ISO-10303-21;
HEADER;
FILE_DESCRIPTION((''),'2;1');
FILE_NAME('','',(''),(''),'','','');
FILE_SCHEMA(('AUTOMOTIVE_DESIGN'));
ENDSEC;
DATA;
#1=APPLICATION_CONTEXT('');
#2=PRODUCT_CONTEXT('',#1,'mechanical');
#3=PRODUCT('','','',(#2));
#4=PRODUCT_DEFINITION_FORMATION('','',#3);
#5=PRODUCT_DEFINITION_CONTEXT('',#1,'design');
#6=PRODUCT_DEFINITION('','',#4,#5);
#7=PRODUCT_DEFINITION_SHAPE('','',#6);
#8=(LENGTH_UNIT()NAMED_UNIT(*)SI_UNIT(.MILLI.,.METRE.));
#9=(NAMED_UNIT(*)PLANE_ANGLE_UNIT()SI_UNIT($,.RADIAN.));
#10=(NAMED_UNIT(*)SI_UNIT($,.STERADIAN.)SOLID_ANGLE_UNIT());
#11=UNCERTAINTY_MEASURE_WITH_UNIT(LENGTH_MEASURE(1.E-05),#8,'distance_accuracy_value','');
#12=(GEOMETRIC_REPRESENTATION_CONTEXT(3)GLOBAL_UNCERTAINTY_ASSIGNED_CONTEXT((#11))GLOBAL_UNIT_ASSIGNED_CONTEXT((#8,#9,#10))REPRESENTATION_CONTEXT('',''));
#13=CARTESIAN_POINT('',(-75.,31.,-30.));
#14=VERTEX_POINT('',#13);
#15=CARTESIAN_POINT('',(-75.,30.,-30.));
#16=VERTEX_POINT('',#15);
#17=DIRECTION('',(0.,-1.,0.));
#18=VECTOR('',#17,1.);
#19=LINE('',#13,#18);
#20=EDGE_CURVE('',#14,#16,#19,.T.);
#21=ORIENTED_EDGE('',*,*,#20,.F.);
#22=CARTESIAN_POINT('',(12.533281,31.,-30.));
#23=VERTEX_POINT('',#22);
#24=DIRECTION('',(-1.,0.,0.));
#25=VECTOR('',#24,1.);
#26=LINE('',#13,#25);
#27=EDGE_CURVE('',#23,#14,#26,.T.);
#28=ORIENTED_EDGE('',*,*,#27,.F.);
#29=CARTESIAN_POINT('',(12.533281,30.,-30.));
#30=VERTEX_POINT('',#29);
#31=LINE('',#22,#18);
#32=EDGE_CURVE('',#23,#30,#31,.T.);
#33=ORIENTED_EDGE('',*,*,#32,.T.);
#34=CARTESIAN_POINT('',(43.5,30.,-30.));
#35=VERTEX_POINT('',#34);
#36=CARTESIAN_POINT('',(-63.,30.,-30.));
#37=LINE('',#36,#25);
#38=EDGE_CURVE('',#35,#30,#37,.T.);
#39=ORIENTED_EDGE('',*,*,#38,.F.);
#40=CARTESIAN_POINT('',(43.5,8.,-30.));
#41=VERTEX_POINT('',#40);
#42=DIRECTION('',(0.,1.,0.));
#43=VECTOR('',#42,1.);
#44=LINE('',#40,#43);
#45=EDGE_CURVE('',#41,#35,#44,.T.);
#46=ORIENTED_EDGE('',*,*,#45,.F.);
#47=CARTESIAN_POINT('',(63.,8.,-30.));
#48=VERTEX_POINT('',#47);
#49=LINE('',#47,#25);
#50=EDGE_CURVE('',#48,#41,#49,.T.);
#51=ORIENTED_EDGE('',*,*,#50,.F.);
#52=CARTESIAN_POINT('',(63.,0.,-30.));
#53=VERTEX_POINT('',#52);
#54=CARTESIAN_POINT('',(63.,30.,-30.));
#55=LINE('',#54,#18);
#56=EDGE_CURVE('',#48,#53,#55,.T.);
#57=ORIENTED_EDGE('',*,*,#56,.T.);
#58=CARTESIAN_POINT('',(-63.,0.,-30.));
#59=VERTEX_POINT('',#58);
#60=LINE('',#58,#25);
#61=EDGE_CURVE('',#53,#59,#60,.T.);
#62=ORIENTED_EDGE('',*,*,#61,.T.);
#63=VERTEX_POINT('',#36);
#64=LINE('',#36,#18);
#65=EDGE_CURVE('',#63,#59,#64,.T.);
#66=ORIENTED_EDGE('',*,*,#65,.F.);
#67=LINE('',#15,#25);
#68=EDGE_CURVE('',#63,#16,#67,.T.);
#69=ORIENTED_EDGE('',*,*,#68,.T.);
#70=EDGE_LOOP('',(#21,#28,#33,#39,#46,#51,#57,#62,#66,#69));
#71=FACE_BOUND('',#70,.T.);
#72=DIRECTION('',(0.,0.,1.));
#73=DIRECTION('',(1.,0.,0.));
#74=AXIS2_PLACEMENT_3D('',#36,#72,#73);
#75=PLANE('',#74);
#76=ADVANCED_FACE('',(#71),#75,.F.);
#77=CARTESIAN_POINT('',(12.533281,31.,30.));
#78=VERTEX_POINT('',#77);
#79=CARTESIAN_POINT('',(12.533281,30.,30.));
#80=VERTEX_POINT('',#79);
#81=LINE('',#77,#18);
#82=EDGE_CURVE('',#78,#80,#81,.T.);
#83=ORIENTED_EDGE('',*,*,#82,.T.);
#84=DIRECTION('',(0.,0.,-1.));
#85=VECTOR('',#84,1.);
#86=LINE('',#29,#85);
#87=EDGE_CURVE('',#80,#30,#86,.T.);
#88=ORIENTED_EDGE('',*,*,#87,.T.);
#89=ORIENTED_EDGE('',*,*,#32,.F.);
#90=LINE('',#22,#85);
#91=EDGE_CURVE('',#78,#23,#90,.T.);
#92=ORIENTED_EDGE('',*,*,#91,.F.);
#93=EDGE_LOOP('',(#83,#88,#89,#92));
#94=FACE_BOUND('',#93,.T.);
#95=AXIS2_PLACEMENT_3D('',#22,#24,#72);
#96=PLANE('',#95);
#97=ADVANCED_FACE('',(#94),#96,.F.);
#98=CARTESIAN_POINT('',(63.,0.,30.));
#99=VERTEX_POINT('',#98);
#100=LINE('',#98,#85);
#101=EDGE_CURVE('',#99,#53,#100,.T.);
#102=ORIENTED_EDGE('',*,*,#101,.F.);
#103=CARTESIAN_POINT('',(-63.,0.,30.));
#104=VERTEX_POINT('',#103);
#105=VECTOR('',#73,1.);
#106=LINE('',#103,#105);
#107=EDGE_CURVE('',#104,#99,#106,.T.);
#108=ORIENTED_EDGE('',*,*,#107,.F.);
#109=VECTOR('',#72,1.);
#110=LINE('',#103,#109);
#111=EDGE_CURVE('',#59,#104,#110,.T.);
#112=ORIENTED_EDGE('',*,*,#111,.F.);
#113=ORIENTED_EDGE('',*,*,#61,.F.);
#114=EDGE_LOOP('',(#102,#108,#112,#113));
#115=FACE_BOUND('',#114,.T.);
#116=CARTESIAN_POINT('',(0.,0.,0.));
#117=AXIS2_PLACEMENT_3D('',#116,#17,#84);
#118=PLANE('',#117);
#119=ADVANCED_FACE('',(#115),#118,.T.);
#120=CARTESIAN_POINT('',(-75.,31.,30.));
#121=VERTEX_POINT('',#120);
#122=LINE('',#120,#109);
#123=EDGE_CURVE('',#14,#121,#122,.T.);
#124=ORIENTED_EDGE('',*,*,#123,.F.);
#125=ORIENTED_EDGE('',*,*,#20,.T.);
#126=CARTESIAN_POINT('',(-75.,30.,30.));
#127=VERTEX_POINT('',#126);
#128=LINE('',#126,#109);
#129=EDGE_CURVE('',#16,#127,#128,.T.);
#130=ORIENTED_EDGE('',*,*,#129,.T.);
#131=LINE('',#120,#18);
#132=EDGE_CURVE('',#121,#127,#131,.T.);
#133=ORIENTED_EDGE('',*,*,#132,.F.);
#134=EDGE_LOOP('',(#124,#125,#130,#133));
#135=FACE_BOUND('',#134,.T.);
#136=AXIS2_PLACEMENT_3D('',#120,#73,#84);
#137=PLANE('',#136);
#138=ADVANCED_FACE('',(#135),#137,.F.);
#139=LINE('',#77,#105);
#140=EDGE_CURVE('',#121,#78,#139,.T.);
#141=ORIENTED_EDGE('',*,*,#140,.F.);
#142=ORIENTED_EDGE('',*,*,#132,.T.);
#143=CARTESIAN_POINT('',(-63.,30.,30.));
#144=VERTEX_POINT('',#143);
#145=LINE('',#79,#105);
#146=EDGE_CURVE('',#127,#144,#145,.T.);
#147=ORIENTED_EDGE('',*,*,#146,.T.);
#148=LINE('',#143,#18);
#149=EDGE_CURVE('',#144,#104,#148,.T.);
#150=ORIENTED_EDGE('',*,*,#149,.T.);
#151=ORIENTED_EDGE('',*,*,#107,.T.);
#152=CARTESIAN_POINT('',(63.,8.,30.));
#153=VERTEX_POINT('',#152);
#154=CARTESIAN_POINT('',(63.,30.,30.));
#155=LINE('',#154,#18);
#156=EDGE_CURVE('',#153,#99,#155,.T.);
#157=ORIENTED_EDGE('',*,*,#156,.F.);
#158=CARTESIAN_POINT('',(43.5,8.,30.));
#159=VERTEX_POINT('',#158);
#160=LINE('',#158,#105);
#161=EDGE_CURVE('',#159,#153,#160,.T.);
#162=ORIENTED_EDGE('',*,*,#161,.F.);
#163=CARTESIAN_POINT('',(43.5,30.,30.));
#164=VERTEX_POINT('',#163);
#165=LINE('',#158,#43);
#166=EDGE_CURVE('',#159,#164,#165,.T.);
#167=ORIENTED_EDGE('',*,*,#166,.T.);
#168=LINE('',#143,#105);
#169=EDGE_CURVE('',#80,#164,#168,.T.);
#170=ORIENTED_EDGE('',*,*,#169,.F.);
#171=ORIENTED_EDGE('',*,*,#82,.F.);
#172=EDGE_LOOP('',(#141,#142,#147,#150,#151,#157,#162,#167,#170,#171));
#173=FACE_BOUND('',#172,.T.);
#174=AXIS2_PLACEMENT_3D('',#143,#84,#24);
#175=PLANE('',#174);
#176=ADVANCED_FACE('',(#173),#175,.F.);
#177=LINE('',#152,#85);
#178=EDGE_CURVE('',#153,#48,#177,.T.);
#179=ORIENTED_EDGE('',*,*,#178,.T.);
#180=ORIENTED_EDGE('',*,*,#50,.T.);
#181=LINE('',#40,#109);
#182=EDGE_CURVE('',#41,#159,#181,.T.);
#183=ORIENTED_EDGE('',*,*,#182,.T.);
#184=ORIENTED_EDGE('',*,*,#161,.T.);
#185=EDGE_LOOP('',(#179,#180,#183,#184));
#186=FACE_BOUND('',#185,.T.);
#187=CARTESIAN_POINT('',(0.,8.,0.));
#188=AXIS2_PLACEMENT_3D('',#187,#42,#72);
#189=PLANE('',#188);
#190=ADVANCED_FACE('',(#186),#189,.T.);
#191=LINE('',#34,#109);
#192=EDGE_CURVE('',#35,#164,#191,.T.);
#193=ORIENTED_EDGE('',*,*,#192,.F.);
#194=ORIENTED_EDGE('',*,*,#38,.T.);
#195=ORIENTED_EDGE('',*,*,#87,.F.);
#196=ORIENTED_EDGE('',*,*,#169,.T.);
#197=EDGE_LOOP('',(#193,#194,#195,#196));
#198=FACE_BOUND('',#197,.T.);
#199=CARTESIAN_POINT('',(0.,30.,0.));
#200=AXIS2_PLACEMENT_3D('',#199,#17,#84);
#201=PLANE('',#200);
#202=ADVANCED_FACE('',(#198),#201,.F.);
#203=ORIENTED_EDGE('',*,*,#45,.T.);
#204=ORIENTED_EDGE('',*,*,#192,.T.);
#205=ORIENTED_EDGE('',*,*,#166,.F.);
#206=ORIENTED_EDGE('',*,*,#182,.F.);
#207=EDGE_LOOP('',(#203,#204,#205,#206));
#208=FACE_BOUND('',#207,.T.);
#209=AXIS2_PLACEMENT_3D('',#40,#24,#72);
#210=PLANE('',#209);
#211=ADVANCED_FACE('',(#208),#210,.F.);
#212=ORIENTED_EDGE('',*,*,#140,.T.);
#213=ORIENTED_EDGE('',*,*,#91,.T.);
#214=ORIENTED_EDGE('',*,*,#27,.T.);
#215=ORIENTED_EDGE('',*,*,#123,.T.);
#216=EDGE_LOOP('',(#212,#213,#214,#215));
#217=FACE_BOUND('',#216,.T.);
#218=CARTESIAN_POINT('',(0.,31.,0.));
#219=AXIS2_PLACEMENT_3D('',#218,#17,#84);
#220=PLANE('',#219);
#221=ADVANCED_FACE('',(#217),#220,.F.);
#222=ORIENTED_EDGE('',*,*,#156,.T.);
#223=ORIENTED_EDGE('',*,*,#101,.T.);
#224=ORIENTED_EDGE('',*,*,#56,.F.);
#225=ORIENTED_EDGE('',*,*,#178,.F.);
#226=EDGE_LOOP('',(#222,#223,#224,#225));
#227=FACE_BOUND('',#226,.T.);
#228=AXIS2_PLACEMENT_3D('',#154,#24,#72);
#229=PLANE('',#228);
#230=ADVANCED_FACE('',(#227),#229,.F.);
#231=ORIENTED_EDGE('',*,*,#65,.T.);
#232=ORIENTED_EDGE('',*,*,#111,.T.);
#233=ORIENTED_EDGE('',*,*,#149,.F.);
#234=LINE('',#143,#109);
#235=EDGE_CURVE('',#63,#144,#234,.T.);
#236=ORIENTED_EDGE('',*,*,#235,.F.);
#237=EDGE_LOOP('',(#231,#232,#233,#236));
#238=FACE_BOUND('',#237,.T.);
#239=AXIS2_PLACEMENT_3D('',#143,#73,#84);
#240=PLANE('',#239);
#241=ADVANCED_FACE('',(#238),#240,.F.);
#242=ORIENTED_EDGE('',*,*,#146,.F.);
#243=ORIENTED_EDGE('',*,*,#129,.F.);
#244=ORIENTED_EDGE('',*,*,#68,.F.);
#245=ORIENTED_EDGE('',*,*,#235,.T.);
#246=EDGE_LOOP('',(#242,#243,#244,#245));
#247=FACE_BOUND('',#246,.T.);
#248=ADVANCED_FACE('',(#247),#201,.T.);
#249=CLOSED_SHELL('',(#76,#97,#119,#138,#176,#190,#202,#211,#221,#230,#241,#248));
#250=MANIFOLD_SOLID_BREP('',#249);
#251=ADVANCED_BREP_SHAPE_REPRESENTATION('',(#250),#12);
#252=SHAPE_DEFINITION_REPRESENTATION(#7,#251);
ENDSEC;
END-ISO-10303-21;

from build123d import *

# Parameters (mm, degrees)
SKETCH1_W           = 126
SKETCH1_H           = 60
BOSS_EXTRUDE1_DEPTH = 30
SKETCH2_W           = 19.5
SKETCH2_H           = 60
CUT_EXTRUDE1_DEPTH  = 22
SKETCH3_W           = 87.533281477
SKETCH3_H           = 60
BOSS_EXTRUDE2_DEPTH = 1


with BuildPart() as part:
    # Sketch1 → Boss-Extrude1 (new body)
    with BuildSketch(Plane(origin=(0, 0, 0), x_dir=(1, 0, 0), z_dir=(0, 1, 0))):
        Rectangle(SKETCH1_W, SKETCH1_H)
    extrude(amount=BOSS_EXTRUDE1_DEPTH)

    # Sketch2 → Cut-Extrude1 (cut)
    with BuildSketch(Plane(origin=(0, 30, 0), x_dir=(1, 0, 0), z_dir=(0, 1, 0))):
        with Locations((53.25, 0)):
            Rectangle(SKETCH2_W, SKETCH2_H)
    extrude(amount=-CUT_EXTRUDE1_DEPTH, mode=Mode.SUBTRACT)

    # Sketch3 → Boss-Extrude2 (add)
    with BuildSketch(Plane(origin=(0, 30, 0), x_dir=(1, 0, 0), z_dir=(0, 1, 0))):
        with Locations((-31.233359261, 0)):
            Rectangle(SKETCH3_W, SKETCH3_H)
    extrude(amount=BOSS_EXTRUDE2_DEPTH)


solid = part.part
